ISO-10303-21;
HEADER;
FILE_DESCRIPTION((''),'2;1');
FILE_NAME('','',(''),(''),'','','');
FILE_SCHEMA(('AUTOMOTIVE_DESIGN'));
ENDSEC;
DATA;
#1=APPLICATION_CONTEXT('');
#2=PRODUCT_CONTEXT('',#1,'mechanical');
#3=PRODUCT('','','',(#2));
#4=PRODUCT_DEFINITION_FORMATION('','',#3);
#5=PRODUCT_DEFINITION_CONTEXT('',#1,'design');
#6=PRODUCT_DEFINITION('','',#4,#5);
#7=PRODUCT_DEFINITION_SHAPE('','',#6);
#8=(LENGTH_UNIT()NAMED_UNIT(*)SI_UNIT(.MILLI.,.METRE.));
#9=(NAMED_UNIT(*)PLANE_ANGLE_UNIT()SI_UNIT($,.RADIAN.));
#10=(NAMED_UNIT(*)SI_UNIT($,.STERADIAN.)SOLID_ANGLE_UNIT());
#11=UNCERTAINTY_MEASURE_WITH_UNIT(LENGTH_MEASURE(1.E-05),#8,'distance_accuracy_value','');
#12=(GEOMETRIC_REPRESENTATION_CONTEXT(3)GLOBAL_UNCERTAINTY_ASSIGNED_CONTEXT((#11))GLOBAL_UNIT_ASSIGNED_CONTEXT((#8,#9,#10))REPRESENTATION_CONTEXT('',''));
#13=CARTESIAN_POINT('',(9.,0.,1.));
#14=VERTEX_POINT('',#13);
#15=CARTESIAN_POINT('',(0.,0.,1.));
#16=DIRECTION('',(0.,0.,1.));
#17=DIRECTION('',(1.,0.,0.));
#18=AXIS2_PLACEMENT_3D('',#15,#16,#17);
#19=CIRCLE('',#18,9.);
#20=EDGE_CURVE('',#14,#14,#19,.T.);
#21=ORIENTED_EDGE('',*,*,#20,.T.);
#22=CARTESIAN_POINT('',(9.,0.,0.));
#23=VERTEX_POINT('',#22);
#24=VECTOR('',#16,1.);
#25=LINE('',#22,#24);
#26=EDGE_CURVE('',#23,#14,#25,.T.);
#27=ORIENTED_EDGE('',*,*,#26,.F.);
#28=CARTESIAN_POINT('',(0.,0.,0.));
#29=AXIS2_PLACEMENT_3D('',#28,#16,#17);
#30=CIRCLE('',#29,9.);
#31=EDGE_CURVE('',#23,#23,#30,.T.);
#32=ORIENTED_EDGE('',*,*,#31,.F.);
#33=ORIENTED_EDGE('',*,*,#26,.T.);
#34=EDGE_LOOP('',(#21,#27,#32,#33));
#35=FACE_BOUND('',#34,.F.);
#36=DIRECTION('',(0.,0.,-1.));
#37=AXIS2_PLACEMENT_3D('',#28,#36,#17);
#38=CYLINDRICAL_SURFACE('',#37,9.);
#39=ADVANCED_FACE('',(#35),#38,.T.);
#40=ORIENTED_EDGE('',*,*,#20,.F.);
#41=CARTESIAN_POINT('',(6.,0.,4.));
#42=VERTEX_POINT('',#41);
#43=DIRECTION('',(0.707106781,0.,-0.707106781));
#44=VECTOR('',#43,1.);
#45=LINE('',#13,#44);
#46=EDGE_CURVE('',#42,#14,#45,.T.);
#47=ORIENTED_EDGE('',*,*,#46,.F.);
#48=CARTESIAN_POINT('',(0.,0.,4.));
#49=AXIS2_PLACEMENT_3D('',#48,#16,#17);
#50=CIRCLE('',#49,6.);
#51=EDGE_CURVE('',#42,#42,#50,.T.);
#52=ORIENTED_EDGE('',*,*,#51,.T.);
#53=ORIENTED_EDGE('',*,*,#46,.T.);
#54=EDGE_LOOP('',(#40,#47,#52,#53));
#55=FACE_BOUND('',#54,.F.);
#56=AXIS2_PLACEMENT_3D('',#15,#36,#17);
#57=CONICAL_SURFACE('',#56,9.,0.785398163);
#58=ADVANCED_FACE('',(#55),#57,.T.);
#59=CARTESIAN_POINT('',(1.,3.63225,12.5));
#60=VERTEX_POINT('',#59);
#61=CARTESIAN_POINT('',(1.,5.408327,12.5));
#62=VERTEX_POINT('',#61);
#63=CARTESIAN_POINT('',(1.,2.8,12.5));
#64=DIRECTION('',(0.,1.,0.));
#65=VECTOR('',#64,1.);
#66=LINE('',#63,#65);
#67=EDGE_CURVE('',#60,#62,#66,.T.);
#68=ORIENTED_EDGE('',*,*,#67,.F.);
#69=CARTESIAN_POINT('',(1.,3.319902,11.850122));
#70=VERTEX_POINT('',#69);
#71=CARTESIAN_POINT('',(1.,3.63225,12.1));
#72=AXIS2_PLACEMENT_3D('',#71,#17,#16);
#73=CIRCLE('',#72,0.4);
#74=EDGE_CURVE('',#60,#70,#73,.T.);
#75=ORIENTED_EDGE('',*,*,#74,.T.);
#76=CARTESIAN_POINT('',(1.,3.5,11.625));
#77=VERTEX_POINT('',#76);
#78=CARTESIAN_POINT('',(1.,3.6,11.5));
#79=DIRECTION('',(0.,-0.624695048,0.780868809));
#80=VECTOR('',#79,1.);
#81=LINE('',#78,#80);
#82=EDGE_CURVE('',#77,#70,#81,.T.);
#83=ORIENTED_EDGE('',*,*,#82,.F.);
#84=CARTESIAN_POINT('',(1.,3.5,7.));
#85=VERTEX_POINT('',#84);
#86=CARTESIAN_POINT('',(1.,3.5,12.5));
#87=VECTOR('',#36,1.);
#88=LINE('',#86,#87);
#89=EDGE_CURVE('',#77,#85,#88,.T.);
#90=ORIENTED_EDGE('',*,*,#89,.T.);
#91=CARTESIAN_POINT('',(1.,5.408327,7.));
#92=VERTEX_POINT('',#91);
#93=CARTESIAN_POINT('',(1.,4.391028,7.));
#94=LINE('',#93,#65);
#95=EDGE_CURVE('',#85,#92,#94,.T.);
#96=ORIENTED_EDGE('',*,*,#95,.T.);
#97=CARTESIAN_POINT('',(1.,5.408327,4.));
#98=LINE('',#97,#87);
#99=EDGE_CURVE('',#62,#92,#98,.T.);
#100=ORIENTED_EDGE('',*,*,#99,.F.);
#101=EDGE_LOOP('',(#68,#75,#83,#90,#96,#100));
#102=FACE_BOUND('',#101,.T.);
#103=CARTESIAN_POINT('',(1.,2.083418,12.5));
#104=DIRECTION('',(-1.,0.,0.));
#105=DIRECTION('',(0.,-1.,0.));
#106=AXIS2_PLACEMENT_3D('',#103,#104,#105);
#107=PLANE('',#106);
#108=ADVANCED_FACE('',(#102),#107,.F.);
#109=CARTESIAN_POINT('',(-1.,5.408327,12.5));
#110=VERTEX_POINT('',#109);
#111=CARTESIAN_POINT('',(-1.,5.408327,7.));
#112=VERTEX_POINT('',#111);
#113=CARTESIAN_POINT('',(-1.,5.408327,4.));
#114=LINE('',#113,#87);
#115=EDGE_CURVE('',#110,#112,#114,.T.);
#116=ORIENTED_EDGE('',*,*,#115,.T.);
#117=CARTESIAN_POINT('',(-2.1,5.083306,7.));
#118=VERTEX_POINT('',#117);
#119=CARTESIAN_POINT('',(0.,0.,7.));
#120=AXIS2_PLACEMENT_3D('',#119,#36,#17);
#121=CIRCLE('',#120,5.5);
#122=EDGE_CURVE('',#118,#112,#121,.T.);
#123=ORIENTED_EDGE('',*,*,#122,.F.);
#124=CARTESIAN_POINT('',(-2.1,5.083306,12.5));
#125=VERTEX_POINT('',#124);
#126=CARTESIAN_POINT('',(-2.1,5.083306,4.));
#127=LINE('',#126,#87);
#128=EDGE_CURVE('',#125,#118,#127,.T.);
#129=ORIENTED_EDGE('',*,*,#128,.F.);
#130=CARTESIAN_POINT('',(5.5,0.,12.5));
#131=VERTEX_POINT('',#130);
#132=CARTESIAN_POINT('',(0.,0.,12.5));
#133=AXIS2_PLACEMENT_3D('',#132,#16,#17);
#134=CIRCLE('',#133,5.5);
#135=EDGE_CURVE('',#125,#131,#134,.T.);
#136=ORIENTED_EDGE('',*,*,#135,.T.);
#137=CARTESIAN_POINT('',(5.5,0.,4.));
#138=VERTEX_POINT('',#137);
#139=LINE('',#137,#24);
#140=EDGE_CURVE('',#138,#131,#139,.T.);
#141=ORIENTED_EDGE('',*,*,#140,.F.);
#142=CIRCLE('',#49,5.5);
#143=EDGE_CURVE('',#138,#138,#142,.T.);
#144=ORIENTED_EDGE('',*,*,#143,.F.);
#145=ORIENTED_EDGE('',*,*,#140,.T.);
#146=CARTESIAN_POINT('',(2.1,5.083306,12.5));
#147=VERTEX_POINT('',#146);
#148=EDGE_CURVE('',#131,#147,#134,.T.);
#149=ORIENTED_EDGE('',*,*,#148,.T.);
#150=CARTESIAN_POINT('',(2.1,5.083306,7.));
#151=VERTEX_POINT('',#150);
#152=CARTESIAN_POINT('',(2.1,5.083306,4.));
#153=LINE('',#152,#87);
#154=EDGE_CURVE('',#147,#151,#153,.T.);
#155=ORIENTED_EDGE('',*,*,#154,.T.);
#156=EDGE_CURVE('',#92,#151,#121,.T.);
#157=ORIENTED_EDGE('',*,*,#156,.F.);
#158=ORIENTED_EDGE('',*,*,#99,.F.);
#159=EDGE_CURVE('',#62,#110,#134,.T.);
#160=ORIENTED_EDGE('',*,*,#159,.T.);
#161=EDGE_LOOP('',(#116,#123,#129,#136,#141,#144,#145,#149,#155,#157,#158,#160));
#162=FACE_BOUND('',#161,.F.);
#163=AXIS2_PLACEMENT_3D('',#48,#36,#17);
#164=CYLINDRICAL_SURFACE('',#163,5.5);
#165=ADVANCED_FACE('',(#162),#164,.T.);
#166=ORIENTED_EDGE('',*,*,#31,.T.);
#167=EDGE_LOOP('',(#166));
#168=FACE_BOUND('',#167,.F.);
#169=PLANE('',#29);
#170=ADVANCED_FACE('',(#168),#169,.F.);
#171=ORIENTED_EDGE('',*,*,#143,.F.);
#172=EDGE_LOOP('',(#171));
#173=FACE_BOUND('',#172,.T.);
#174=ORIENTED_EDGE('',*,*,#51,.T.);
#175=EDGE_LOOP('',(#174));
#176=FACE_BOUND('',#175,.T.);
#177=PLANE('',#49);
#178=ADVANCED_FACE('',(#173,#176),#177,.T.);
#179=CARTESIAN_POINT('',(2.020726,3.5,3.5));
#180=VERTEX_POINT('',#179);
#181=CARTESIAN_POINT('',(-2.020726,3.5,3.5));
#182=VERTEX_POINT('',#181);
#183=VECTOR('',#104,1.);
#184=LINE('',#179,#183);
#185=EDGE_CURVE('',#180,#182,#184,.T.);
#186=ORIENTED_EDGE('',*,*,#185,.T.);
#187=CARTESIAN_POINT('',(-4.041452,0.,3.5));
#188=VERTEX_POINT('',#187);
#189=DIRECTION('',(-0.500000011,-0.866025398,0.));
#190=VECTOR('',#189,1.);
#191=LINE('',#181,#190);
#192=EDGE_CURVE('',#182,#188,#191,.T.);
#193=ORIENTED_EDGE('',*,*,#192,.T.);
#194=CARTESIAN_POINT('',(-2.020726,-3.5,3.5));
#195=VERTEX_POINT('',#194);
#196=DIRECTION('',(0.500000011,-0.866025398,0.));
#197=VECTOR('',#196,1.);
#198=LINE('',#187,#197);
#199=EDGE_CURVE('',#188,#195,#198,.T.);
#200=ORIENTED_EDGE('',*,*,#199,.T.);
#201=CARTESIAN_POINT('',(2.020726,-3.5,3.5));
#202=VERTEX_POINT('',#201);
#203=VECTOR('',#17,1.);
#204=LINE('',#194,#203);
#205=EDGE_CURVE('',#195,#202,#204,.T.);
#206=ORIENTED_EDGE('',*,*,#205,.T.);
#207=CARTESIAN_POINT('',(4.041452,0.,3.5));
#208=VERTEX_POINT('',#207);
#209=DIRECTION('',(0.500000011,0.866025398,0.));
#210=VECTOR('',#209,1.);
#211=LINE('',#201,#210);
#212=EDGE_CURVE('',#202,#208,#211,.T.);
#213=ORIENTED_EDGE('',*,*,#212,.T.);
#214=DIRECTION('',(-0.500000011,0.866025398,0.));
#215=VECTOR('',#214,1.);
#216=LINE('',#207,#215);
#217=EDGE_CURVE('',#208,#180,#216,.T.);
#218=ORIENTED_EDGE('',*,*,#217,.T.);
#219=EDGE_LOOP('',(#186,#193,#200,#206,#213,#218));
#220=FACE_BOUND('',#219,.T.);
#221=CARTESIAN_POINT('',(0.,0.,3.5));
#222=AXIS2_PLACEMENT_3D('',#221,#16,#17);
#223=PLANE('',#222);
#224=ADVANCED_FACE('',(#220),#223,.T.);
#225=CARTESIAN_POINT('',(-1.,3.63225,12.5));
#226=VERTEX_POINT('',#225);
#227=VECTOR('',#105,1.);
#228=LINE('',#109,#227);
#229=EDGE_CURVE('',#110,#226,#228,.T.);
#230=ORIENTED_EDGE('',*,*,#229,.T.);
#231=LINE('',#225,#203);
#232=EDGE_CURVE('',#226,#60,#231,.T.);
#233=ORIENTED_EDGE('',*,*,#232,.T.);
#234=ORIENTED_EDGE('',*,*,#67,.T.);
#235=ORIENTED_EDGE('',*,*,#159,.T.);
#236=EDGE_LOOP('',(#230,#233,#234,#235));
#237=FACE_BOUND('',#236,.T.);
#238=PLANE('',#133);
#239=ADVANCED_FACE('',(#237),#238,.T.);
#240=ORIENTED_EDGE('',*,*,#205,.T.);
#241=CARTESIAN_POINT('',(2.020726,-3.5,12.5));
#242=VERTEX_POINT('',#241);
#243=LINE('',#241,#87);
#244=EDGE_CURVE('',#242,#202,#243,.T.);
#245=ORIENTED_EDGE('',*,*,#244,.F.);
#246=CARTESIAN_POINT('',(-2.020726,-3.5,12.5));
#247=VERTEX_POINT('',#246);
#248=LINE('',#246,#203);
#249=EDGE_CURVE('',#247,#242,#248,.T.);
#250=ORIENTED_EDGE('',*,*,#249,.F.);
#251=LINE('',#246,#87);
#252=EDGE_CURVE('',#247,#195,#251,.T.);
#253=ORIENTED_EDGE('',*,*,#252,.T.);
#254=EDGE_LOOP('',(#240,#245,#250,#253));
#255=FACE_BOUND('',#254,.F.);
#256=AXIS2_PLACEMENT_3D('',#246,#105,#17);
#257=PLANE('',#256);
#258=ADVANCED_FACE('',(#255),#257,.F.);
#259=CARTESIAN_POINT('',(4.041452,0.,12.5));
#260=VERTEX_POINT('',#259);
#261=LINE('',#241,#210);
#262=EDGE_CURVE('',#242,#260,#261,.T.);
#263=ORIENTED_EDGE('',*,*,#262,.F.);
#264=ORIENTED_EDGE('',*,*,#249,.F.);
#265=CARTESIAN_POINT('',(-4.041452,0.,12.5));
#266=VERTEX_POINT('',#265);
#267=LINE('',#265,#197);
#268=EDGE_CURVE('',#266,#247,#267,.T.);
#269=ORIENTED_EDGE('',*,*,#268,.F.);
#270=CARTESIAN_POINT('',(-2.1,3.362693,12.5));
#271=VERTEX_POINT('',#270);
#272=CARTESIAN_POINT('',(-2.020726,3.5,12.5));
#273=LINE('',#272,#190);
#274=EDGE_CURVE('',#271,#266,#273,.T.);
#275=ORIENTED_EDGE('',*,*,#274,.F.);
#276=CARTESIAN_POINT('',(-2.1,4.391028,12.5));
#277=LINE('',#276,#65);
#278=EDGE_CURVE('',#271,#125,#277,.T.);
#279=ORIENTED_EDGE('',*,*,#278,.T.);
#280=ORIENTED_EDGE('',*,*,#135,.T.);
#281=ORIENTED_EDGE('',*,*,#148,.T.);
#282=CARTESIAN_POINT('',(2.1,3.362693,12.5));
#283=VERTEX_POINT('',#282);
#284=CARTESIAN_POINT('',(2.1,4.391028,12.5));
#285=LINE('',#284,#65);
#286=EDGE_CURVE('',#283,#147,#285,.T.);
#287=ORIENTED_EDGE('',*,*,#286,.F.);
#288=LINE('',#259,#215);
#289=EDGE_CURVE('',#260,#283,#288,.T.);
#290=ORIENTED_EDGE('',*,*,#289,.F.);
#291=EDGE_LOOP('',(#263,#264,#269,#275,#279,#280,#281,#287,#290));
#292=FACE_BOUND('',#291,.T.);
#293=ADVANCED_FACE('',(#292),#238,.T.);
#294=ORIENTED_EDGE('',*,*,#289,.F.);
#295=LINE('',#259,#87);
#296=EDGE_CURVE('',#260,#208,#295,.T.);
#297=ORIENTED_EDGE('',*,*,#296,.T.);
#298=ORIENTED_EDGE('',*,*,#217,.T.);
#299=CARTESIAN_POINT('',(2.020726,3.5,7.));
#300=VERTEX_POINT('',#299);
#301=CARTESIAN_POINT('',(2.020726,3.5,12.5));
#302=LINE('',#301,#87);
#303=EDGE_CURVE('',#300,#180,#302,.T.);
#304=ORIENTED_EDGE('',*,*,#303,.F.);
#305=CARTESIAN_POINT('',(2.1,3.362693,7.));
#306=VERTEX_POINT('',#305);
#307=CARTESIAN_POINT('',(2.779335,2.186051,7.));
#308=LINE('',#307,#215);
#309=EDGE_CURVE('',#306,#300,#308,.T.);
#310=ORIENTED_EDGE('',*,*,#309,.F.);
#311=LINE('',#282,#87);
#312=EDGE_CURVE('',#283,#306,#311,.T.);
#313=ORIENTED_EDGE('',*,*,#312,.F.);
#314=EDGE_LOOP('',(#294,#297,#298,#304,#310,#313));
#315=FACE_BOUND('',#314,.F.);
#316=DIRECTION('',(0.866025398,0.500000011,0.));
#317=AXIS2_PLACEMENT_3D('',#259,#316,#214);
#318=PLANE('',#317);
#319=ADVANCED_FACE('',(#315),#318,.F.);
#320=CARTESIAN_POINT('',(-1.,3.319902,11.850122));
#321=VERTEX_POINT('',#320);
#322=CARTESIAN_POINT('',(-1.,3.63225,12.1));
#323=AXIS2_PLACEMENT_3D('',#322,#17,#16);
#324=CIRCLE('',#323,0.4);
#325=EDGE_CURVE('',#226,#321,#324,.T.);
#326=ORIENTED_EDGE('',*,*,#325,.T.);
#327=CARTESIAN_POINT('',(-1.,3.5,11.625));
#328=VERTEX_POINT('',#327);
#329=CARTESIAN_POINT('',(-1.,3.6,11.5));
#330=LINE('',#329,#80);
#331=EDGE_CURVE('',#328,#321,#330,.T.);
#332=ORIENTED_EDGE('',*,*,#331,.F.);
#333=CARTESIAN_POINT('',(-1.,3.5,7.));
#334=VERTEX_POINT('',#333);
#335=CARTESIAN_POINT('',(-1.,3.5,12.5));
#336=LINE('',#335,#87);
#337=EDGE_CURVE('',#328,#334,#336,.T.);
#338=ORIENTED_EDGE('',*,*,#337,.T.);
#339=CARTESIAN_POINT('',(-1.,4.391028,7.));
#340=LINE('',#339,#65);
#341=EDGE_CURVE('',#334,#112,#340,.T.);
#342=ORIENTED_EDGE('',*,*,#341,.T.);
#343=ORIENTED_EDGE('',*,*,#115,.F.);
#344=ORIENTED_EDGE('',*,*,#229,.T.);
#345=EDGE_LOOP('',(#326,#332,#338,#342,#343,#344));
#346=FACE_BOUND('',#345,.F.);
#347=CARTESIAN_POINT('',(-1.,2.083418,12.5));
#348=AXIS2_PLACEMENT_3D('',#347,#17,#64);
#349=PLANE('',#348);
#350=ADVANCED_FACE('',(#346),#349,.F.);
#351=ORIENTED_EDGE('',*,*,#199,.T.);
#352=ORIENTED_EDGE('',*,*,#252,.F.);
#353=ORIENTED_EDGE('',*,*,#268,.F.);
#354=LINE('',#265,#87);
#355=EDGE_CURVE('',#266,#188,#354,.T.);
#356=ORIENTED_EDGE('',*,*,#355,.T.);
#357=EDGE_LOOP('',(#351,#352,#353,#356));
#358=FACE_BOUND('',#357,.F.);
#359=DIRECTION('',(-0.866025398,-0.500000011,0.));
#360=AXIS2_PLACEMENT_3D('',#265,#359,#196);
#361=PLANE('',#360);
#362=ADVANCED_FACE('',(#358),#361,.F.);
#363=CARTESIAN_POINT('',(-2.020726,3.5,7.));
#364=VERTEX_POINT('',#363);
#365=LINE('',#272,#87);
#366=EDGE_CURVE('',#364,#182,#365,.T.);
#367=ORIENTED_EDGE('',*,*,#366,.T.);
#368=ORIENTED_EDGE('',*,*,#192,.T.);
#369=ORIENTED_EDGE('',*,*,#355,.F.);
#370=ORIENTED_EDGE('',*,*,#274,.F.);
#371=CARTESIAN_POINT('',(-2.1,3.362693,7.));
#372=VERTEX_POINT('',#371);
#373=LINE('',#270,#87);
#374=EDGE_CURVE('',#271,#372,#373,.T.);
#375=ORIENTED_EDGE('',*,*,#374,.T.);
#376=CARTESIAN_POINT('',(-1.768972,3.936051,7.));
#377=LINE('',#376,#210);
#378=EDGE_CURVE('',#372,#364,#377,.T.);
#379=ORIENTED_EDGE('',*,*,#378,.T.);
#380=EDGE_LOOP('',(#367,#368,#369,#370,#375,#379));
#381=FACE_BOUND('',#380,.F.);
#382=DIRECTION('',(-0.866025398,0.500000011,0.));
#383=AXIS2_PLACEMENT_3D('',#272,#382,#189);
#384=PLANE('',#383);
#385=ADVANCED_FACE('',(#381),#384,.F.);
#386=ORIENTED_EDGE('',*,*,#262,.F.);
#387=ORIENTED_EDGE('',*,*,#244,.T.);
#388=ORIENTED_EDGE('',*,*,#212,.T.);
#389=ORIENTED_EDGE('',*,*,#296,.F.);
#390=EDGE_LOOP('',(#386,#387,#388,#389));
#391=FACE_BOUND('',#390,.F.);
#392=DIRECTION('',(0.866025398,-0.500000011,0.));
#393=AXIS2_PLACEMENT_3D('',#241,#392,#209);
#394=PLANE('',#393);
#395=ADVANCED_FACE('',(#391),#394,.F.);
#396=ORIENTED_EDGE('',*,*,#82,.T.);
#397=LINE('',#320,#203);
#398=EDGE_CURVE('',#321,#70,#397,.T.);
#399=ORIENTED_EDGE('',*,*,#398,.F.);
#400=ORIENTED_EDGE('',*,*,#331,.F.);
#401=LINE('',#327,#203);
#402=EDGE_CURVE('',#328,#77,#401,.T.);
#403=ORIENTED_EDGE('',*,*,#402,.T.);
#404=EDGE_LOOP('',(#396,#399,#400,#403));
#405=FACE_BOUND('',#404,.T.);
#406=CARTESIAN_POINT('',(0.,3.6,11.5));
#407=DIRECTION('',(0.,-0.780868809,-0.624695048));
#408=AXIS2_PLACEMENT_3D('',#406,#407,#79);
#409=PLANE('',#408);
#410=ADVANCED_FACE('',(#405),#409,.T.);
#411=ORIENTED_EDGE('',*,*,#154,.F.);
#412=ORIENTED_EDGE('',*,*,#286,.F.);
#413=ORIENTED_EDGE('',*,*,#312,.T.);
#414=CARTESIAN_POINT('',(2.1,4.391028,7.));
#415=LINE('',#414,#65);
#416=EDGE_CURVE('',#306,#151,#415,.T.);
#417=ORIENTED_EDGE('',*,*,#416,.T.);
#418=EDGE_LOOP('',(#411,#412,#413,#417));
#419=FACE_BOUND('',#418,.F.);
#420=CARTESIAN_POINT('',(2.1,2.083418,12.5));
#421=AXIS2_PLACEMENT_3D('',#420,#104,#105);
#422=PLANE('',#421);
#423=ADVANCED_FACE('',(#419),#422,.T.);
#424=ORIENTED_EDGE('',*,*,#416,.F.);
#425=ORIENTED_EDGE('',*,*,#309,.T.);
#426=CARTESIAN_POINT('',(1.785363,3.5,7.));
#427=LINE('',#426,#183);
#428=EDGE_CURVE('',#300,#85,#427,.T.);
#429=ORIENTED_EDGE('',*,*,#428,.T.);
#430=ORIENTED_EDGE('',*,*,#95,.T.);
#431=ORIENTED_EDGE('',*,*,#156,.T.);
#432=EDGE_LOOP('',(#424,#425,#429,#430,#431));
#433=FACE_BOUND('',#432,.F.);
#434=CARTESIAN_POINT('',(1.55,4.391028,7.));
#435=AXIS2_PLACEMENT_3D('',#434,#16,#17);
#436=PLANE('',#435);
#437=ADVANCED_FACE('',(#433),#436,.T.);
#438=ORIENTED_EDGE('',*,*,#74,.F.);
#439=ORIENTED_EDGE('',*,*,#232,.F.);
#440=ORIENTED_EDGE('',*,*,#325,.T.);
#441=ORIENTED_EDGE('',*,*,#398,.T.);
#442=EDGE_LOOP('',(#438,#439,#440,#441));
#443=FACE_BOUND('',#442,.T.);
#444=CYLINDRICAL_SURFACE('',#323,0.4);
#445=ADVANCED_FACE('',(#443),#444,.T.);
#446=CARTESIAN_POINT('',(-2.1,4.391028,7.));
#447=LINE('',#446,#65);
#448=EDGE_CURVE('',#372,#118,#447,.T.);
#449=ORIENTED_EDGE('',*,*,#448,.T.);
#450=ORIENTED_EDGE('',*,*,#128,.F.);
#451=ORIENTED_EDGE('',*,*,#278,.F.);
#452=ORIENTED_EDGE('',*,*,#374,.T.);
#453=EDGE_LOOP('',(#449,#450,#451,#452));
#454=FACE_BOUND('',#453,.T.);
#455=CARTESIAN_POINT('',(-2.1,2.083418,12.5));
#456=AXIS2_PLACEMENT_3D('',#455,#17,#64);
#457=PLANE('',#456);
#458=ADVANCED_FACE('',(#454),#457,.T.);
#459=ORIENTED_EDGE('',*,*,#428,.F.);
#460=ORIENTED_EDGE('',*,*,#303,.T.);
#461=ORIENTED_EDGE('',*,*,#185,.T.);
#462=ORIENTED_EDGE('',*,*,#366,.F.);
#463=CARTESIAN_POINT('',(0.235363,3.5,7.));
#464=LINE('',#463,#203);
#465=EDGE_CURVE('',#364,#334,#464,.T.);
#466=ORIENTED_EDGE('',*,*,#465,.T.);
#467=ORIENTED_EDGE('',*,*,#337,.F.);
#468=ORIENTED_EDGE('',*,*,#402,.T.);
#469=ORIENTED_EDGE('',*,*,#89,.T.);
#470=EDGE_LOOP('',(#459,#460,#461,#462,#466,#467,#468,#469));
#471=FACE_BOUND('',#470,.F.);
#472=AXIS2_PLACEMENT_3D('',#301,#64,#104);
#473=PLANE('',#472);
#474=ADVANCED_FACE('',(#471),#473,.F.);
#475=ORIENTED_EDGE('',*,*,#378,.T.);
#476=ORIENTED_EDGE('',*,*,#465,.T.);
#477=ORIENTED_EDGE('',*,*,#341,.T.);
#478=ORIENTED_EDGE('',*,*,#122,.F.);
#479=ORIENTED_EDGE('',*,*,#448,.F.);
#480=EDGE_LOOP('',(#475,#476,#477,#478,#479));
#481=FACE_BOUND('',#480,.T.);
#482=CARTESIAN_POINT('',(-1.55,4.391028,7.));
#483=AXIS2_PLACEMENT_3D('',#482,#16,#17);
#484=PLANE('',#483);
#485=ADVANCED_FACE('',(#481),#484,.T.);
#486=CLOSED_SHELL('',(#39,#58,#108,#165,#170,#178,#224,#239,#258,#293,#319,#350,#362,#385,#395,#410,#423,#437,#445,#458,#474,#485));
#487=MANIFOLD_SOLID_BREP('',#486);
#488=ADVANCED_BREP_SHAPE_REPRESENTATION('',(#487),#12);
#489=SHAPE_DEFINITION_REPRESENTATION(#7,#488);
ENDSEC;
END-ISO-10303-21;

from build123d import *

# Parameters (mm, degrees)
SKETCH_R          = 9
PAD_DEPTH         = 4
SKETCH001_R       = 5.5
PAD001_DEPTH      = 8.5
POCKET_DEPTH      = 9
SKETCH003_W       = 1.1
SKETCH003_H       = 4.61522
POCKET001_DEPTH   = 5.5
PAD002_DEPTH      = 1
PAD002_DEPTH_BACK = 1
FILLET_R          = 0.4
CHAMFER_SIZE      = 3


with BuildPart() as part:
    # Sketch (on XY_Plane of Origin) → Pad (new body)
    with BuildSketch(Plane.XY):
        Circle(SKETCH_R)
    extrude(amount=PAD_DEPTH)

    # Sketch001 (on Face3 of Pad) → Pad001 (join)
    with BuildSketch(Plane.XY.offset(4)):
        Circle(SKETCH001_R)
    extrude(amount=PAD001_DEPTH)

    # Sketch002 (on Face5 of Pad001) → Pocket (cut)
    with BuildSketch(Plane.XY.offset(12.5)):
        Polygon((2.020726, 3.5), (-2.020726, 3.5), (-4.041452, 0), (-2.020726, -3.5), (2.020726, -3.5), (4.041452, 0), align=None)
    extrude(amount=-POCKET_DEPTH, mode=Mode.SUBTRACT)

    # Sketch003 (on Face5 of Pocket) → Pocket001 (cut)
    with BuildSketch(Plane.XY.offset(12.5)):
        with Locations((-1.55, 4.391028)):
            Rectangle(SKETCH003_W, SKETCH003_H)
    pocket001 = extrude(amount=-POCKET001_DEPTH, mode=Mode.SUBTRACT)

    # Mirrored: Pocket001 across Sketch003 V_Axis
    add(pocket001.mirror(Plane(origin=(0, 0, 12.5), x_dir=(0, 0, 1), z_dir=(1, 0, 0))), mode=Mode.SUBTRACT)

    # Sketch004 (on YZ_Plane of Origin) → Pad002 (join, two sides)
    with BuildSketch(Plane.YZ) as pad002_sk:
        Polygon((3.6, 12.5), (3.6, 11.5), (2.8, 12.5), align=None)
    extrude(amount=PAD002_DEPTH)
    extrude(pad002_sk.sketch, amount=-PAD002_DEPTH_BACK)

    # Fillet
    fillet_edges = [part.edges().sort_by_distance(p)[0] for p in [
        (0, 2.8, 12.5),
    ]]
    fillet(fillet_edges, radius=FILLET_R)

    # Chamfer
    chamfer_edges = [part.edges().sort_by_distance(p)[0] for p in [
        (-9, 0, 4),
    ]]
    chamfer(chamfer_edges, length=CHAMFER_SIZE)


solid = part.part
